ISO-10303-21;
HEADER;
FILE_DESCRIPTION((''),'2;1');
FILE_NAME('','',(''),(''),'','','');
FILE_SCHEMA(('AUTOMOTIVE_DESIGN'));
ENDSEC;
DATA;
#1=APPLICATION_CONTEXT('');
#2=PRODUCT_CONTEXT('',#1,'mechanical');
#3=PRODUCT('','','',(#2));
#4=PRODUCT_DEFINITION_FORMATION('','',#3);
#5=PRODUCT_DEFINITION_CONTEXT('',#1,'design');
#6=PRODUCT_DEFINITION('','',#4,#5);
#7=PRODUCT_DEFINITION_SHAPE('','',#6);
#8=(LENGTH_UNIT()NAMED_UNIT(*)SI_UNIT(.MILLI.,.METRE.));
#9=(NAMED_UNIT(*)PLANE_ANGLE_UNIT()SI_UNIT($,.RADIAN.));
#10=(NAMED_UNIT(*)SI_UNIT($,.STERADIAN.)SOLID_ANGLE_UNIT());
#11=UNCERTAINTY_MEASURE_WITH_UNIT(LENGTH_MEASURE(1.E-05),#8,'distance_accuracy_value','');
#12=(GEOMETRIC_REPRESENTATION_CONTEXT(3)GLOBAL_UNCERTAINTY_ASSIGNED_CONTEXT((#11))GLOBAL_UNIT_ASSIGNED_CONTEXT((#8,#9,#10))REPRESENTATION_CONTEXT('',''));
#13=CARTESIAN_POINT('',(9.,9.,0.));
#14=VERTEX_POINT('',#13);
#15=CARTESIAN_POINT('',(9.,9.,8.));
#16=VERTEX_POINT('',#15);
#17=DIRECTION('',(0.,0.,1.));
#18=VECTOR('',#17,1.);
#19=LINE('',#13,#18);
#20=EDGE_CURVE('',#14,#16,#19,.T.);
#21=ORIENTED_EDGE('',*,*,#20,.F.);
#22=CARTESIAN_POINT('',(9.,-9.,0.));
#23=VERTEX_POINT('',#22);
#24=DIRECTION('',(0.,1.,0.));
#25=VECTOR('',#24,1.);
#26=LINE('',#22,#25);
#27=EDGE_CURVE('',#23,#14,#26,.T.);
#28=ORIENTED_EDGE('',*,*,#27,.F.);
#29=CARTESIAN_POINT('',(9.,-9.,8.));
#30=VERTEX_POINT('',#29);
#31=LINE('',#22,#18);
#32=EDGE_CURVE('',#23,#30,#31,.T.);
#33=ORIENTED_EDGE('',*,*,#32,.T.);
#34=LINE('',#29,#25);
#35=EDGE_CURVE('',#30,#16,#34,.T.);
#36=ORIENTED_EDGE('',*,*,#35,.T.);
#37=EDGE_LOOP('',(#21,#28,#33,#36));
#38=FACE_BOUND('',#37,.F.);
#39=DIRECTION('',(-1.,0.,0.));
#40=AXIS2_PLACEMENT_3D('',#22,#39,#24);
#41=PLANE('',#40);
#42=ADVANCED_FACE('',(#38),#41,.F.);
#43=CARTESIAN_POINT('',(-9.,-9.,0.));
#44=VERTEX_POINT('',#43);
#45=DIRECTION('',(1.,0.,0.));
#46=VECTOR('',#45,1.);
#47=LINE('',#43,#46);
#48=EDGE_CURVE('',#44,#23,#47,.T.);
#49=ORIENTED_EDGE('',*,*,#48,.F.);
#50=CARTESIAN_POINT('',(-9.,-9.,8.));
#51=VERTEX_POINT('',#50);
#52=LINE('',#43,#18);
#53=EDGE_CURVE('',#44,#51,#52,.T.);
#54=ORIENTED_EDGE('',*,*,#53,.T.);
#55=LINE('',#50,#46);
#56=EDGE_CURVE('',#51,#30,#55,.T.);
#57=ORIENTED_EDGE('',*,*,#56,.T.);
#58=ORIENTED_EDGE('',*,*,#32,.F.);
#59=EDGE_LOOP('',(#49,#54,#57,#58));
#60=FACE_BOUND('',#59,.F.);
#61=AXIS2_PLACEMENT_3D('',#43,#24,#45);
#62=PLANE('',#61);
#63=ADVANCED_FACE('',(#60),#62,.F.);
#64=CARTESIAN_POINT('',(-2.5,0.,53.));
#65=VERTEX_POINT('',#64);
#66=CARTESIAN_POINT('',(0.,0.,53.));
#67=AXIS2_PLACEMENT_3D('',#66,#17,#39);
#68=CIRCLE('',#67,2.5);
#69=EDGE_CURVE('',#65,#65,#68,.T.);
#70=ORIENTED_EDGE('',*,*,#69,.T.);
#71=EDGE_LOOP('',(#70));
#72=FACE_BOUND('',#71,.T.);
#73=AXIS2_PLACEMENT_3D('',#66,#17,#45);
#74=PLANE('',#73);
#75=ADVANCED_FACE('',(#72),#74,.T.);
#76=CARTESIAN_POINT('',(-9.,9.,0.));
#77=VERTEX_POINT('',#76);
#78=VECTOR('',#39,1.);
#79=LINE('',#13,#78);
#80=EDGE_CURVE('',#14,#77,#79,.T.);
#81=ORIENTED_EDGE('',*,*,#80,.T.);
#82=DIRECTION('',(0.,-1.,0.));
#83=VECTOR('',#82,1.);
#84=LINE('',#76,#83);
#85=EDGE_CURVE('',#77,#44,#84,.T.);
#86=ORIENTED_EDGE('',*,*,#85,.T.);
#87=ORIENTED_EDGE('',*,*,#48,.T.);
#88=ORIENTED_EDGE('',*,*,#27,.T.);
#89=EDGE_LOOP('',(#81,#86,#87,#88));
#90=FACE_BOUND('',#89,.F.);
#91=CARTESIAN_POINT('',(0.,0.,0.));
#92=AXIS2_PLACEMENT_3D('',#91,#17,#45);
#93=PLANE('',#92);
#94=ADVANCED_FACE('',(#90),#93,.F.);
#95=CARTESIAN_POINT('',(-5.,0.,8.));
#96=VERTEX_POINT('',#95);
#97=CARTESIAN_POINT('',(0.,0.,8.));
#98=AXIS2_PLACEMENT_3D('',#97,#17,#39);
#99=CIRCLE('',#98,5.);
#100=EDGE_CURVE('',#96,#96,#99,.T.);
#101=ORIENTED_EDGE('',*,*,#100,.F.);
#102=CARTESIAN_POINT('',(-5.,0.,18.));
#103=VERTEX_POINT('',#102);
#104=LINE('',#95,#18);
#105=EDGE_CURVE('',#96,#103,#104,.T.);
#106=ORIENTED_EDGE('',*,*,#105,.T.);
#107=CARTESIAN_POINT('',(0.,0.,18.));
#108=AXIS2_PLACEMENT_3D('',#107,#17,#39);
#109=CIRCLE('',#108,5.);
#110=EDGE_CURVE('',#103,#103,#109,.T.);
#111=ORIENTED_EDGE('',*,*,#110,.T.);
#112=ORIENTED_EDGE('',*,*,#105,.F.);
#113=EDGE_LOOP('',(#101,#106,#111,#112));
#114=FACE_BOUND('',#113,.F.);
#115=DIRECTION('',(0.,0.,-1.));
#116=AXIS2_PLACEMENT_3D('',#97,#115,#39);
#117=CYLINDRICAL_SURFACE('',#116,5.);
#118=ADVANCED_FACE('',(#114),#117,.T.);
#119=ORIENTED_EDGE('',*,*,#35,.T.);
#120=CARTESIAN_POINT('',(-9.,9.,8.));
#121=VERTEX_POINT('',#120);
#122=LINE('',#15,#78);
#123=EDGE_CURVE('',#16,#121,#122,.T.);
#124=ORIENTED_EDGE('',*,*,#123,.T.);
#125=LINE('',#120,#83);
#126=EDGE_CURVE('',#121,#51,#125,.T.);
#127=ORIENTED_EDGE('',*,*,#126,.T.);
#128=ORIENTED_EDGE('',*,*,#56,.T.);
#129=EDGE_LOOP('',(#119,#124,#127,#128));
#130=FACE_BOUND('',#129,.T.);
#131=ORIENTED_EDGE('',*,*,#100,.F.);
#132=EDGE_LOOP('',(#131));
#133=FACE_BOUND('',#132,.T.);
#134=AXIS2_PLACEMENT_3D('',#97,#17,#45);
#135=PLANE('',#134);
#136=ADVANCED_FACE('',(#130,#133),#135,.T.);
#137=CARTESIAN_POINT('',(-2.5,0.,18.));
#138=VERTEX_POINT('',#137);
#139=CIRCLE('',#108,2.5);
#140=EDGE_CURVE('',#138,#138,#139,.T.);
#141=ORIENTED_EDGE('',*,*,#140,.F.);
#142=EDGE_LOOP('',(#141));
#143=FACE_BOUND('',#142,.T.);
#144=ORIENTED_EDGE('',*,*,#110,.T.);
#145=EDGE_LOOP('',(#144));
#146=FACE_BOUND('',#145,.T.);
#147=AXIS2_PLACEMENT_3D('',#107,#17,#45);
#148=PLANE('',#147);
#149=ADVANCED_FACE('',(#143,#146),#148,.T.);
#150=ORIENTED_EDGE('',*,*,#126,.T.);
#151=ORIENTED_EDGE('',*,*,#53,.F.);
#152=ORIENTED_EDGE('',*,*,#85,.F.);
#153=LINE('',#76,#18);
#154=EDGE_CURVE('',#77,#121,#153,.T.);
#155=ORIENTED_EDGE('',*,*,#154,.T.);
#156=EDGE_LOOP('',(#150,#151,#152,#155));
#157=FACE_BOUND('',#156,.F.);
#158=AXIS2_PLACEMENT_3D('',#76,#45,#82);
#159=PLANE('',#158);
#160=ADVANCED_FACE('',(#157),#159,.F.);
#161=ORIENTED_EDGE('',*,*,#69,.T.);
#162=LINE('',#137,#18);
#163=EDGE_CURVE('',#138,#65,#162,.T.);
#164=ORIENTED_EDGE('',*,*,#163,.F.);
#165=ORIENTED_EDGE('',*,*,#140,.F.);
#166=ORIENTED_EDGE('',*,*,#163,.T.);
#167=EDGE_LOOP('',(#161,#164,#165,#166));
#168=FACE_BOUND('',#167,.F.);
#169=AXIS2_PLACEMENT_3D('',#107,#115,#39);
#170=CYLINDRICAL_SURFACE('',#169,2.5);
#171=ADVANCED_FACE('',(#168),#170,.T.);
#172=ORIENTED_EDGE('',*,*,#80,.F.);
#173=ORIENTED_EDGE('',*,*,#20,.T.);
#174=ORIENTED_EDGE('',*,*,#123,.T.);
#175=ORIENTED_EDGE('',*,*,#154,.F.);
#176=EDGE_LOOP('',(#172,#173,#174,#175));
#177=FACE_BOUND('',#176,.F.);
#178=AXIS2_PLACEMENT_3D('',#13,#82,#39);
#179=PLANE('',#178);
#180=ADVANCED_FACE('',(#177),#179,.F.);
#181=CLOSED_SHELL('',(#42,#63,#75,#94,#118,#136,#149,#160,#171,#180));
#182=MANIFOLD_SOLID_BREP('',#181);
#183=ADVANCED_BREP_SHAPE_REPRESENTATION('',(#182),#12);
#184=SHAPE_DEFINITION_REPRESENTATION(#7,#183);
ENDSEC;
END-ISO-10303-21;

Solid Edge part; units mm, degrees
sketch "Sketch1" plane through (0, 0, 0) normal (0, 0, 1) x (1, 0, 0)
  line L0 (9, 9) -> (-9, 9)
  line L1 (-9, 9) -> (-9, -9)
  line L2 (-9, -9) -> (9, -9)
  line L3 (9, -9) -> (9, 9)
extrude "Protrusion1" add sketch "Sketch1" along normal blind 8
sketch "Sketch2" plane through (0, 0, 8) normal (0, 0, 1) x (-1, 0, 0)
  circle A0 centre (0, 0) radius 5
extrude "ExtrudedProtrusion_2" add sketch "Sketch2" along normal blind 10
sketch "Sketch3" plane through (0, 0, 18) normal (0, 0, 1) x (-1, 0, 0)
  circle A0 centre (0, 0) radius 2.5
extrude "ExtrudedProtrusion_3" add sketch "Sketch3" along normal blind 35
